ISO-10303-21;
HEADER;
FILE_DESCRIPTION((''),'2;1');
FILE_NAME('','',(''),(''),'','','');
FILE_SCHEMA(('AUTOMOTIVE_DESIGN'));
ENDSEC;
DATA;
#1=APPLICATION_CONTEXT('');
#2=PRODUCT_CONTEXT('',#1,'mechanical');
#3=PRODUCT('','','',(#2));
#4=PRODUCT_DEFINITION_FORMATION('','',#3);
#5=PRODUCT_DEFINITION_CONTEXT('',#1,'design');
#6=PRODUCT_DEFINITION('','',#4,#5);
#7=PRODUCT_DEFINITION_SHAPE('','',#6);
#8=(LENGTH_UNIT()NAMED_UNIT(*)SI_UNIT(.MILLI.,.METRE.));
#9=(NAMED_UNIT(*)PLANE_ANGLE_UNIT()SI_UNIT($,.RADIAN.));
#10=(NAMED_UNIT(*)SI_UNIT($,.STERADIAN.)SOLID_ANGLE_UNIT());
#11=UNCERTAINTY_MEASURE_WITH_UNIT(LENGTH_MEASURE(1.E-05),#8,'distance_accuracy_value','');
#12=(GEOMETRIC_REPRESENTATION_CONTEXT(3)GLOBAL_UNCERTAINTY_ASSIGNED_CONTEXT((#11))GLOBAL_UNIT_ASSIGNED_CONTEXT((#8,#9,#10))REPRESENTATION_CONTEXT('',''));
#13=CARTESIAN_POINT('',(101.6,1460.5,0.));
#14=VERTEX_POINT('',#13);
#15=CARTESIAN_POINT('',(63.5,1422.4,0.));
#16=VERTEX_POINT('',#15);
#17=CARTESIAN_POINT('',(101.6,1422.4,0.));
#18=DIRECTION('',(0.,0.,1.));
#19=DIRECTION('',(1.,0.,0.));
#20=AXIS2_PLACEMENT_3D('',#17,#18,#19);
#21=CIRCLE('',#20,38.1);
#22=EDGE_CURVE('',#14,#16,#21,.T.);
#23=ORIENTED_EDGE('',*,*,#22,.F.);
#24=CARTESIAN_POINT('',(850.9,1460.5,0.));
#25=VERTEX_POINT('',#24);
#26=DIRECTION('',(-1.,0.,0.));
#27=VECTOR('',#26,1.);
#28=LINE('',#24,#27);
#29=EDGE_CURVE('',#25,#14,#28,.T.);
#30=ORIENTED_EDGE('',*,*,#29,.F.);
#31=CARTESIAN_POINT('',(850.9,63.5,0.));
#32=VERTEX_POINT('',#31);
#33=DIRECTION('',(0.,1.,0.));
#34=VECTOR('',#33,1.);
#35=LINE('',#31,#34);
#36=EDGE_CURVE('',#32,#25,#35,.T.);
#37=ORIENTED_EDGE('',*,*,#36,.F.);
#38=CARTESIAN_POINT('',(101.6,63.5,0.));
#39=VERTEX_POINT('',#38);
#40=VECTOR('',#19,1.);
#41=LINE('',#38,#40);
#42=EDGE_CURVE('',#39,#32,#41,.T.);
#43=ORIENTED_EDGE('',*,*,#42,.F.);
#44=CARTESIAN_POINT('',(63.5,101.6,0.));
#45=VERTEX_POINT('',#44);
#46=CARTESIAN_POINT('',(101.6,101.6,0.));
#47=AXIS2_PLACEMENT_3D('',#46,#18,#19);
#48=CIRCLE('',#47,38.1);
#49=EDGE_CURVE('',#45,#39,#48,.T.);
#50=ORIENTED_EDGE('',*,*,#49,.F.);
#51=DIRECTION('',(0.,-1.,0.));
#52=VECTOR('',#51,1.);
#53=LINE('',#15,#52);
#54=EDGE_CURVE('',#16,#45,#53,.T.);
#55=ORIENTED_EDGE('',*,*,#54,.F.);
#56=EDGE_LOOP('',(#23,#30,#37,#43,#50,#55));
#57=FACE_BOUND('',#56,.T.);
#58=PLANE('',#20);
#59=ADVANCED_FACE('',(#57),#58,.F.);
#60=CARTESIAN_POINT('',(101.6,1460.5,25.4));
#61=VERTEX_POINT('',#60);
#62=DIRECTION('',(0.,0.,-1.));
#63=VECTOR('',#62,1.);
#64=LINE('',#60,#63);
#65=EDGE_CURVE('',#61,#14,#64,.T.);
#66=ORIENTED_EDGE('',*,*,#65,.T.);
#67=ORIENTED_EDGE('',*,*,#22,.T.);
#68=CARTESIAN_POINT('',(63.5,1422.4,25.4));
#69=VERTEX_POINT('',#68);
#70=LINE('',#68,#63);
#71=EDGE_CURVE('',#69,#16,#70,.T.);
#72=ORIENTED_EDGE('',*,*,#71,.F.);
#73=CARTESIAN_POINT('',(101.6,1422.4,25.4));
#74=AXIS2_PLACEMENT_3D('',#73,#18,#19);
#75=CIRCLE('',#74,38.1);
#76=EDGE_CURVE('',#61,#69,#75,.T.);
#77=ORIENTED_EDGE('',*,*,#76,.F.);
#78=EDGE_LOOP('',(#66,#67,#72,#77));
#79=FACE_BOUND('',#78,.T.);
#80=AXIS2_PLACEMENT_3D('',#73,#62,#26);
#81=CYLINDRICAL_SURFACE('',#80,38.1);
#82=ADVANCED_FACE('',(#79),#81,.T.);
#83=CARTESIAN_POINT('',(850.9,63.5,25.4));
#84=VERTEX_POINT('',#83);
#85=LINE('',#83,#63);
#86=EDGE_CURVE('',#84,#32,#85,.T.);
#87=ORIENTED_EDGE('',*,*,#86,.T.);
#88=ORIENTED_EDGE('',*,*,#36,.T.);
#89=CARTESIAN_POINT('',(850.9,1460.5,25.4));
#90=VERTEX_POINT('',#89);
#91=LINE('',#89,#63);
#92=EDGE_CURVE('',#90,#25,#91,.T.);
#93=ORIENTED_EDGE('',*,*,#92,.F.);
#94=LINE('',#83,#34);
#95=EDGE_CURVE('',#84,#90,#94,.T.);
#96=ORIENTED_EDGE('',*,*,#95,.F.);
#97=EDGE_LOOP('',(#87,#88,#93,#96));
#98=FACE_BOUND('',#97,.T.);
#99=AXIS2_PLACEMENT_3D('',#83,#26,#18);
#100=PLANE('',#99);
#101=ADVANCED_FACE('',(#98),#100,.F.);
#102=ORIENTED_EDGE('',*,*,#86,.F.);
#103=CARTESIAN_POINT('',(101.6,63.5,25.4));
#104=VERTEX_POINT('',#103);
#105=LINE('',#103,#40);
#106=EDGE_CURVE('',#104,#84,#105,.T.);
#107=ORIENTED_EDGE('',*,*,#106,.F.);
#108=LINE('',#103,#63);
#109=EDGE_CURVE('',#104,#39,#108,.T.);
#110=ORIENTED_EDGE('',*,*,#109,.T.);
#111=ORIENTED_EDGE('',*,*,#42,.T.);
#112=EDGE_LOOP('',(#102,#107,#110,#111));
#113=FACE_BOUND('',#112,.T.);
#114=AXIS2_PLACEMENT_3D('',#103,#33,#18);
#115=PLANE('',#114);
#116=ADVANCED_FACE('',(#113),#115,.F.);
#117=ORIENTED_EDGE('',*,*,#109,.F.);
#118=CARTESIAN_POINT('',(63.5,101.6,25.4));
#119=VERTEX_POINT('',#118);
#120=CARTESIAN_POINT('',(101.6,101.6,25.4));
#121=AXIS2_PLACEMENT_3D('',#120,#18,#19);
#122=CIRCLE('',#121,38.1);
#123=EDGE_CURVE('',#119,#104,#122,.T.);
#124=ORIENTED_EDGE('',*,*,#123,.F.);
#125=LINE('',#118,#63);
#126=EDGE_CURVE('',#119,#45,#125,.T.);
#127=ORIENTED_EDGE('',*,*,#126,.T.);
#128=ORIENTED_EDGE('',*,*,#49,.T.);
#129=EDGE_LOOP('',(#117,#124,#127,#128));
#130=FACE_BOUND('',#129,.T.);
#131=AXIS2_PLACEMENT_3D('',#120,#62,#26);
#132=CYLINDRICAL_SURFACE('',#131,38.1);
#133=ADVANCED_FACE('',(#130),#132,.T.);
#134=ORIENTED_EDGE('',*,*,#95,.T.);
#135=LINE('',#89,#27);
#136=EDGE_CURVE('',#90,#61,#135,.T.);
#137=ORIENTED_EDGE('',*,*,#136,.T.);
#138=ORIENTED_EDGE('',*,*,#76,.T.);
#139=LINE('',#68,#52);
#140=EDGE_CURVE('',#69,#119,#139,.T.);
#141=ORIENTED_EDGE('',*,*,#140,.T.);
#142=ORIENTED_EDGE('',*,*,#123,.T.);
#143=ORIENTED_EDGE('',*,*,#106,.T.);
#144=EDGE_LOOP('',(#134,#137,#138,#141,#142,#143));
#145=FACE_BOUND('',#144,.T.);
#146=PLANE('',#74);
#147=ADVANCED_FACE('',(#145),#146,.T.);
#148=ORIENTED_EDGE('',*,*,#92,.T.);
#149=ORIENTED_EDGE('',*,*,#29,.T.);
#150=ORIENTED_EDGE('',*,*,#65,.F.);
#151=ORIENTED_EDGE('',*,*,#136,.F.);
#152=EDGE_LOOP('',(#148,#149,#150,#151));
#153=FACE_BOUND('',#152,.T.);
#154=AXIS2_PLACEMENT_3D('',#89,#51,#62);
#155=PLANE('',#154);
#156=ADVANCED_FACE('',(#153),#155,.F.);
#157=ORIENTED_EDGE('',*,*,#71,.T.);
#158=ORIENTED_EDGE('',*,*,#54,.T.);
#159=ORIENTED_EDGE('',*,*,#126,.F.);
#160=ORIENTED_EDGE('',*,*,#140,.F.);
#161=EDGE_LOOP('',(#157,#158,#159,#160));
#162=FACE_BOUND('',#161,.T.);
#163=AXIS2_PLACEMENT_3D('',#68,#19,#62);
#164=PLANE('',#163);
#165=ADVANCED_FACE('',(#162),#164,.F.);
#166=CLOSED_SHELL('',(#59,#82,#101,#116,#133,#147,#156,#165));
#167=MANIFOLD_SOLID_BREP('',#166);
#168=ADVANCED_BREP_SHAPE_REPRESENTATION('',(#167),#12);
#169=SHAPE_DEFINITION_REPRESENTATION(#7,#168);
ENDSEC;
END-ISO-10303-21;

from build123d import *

# Parameters (mm, degrees)
BOSS_EXTRUDE1_DEPTH = 25.4


with BuildPart() as part:
    # Sketch1 → Boss-Extrude1 (new body)
    with BuildSketch(Plane.XY):
        with BuildLine():
            Line((63.5, 1422.4), (63.5, 101.6))
            ThreePointArc((63.5, 101.6), (74.659231637, 74.659231637), (101.6, 63.5))
            Line((101.6, 63.5), (850.9, 63.5))
            Line((850.9, 63.5), (850.9, 1460.5))
            Line((850.9, 1460.5), (101.6, 1460.5))
            ThreePointArc((101.6, 1460.5), (74.659231637, 1449.340768363), (63.5, 1422.4))
        make_face()
    extrude(amount=BOSS_EXTRUDE1_DEPTH)


solid = part.part
